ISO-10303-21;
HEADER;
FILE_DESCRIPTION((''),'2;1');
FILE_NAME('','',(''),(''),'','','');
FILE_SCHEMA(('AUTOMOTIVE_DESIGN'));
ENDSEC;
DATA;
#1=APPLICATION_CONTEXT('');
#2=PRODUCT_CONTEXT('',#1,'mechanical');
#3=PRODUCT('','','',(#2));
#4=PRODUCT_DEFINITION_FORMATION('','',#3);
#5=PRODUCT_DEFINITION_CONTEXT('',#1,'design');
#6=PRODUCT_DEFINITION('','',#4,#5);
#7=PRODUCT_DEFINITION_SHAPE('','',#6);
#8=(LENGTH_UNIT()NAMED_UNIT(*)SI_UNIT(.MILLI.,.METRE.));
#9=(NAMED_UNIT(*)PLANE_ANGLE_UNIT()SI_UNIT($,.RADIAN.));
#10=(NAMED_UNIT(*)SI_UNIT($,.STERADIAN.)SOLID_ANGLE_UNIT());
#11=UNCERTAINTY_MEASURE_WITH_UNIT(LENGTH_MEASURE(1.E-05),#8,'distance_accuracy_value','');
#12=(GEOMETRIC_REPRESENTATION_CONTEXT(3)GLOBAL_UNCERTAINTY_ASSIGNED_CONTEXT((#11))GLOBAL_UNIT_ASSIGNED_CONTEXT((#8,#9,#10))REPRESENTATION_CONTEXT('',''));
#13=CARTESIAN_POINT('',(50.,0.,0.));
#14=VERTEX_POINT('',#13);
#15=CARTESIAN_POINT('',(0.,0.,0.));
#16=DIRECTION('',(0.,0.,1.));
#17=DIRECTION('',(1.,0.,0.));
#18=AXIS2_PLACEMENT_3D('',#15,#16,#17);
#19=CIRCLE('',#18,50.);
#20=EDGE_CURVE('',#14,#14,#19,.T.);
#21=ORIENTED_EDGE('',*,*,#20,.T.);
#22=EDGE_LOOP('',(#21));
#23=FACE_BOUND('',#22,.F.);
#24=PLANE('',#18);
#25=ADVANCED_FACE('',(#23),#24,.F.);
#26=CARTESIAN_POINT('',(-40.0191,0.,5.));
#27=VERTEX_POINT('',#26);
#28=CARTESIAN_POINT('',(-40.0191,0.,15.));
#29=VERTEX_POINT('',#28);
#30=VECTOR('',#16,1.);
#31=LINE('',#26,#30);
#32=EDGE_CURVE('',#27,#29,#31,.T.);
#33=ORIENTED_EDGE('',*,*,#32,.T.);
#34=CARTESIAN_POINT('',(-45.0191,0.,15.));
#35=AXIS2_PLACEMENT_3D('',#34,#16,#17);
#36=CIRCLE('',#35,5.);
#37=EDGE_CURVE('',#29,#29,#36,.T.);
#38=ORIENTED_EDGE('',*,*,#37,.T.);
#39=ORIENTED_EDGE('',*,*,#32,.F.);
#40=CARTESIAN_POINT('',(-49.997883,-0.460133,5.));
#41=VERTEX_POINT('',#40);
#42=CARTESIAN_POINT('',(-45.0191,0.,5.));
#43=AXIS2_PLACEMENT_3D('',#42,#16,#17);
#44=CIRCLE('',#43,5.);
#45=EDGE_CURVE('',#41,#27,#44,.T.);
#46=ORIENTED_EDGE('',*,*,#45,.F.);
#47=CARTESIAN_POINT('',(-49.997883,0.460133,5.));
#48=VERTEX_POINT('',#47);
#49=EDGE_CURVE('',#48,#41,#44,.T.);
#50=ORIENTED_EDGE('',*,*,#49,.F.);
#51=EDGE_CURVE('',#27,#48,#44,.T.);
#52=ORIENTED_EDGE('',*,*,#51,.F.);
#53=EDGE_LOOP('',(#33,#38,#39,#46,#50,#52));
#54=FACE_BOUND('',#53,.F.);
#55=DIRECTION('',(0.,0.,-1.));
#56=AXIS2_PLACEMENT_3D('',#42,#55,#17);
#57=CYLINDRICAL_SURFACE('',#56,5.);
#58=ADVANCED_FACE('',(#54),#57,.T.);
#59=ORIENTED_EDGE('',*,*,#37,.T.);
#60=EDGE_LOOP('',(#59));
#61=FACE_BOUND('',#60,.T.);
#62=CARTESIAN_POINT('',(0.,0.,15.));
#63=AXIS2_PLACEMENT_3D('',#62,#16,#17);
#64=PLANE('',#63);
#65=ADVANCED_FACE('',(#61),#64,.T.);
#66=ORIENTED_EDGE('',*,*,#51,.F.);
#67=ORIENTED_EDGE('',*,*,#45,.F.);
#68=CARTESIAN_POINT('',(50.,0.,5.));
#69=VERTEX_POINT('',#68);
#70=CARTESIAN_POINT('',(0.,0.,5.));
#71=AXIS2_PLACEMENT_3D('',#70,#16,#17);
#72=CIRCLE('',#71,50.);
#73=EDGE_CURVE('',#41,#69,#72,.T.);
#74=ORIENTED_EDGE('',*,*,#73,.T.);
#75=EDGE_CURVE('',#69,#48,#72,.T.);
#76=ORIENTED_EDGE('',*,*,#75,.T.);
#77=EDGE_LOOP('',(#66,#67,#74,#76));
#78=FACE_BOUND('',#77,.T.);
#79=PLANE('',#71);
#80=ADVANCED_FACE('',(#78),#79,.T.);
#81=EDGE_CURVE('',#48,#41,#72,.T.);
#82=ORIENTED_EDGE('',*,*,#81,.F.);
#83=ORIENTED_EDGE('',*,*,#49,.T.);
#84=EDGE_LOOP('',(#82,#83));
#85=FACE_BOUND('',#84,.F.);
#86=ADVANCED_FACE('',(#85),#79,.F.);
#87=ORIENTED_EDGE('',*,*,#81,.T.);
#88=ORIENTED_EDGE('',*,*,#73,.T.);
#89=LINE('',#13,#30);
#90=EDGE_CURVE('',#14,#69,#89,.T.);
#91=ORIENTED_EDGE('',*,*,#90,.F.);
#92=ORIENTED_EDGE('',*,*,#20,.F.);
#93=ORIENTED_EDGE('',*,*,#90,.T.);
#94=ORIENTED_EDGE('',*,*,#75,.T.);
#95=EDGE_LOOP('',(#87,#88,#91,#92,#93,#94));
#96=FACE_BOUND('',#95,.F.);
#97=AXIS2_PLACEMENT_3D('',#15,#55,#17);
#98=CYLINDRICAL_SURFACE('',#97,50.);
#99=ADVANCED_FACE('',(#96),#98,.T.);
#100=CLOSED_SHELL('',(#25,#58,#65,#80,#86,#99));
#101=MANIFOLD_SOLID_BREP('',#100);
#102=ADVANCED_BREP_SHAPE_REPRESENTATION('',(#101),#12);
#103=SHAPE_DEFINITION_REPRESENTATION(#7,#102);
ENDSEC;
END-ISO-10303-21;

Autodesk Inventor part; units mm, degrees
ref_plane "YZ Plane" through (0, 0, 0) normal (1, 0, 0) x (0, 1, 0)
ref_plane "XZ Plane" through (0, 0, 0) normal (0, 1, 0) x (-1, 0, 0)
ref_plane "XY Plane" through (0, 0, 0) normal (0, 0, 1) x (1, 0, 0)
sketch "Sketch1" plane through (0, 0, 0) normal (0, 0, 1) x (1, 0, 0)
  circle A0 centre (0, 0) radius 50
  dimension "d0" = 100
extrude "Extrusion1" add sketch "Sketch1" along normal blind 5
sketch "Sketch2" plane through (0, 0, 5) normal (0, 0, 1) x (1, 0, 0)
  circle A0 centre (-45.0191, 0) radius 5
  point P0 (0, 0)
extrude "Extrusion2" add sketch "Sketch2" along normal blind 10
